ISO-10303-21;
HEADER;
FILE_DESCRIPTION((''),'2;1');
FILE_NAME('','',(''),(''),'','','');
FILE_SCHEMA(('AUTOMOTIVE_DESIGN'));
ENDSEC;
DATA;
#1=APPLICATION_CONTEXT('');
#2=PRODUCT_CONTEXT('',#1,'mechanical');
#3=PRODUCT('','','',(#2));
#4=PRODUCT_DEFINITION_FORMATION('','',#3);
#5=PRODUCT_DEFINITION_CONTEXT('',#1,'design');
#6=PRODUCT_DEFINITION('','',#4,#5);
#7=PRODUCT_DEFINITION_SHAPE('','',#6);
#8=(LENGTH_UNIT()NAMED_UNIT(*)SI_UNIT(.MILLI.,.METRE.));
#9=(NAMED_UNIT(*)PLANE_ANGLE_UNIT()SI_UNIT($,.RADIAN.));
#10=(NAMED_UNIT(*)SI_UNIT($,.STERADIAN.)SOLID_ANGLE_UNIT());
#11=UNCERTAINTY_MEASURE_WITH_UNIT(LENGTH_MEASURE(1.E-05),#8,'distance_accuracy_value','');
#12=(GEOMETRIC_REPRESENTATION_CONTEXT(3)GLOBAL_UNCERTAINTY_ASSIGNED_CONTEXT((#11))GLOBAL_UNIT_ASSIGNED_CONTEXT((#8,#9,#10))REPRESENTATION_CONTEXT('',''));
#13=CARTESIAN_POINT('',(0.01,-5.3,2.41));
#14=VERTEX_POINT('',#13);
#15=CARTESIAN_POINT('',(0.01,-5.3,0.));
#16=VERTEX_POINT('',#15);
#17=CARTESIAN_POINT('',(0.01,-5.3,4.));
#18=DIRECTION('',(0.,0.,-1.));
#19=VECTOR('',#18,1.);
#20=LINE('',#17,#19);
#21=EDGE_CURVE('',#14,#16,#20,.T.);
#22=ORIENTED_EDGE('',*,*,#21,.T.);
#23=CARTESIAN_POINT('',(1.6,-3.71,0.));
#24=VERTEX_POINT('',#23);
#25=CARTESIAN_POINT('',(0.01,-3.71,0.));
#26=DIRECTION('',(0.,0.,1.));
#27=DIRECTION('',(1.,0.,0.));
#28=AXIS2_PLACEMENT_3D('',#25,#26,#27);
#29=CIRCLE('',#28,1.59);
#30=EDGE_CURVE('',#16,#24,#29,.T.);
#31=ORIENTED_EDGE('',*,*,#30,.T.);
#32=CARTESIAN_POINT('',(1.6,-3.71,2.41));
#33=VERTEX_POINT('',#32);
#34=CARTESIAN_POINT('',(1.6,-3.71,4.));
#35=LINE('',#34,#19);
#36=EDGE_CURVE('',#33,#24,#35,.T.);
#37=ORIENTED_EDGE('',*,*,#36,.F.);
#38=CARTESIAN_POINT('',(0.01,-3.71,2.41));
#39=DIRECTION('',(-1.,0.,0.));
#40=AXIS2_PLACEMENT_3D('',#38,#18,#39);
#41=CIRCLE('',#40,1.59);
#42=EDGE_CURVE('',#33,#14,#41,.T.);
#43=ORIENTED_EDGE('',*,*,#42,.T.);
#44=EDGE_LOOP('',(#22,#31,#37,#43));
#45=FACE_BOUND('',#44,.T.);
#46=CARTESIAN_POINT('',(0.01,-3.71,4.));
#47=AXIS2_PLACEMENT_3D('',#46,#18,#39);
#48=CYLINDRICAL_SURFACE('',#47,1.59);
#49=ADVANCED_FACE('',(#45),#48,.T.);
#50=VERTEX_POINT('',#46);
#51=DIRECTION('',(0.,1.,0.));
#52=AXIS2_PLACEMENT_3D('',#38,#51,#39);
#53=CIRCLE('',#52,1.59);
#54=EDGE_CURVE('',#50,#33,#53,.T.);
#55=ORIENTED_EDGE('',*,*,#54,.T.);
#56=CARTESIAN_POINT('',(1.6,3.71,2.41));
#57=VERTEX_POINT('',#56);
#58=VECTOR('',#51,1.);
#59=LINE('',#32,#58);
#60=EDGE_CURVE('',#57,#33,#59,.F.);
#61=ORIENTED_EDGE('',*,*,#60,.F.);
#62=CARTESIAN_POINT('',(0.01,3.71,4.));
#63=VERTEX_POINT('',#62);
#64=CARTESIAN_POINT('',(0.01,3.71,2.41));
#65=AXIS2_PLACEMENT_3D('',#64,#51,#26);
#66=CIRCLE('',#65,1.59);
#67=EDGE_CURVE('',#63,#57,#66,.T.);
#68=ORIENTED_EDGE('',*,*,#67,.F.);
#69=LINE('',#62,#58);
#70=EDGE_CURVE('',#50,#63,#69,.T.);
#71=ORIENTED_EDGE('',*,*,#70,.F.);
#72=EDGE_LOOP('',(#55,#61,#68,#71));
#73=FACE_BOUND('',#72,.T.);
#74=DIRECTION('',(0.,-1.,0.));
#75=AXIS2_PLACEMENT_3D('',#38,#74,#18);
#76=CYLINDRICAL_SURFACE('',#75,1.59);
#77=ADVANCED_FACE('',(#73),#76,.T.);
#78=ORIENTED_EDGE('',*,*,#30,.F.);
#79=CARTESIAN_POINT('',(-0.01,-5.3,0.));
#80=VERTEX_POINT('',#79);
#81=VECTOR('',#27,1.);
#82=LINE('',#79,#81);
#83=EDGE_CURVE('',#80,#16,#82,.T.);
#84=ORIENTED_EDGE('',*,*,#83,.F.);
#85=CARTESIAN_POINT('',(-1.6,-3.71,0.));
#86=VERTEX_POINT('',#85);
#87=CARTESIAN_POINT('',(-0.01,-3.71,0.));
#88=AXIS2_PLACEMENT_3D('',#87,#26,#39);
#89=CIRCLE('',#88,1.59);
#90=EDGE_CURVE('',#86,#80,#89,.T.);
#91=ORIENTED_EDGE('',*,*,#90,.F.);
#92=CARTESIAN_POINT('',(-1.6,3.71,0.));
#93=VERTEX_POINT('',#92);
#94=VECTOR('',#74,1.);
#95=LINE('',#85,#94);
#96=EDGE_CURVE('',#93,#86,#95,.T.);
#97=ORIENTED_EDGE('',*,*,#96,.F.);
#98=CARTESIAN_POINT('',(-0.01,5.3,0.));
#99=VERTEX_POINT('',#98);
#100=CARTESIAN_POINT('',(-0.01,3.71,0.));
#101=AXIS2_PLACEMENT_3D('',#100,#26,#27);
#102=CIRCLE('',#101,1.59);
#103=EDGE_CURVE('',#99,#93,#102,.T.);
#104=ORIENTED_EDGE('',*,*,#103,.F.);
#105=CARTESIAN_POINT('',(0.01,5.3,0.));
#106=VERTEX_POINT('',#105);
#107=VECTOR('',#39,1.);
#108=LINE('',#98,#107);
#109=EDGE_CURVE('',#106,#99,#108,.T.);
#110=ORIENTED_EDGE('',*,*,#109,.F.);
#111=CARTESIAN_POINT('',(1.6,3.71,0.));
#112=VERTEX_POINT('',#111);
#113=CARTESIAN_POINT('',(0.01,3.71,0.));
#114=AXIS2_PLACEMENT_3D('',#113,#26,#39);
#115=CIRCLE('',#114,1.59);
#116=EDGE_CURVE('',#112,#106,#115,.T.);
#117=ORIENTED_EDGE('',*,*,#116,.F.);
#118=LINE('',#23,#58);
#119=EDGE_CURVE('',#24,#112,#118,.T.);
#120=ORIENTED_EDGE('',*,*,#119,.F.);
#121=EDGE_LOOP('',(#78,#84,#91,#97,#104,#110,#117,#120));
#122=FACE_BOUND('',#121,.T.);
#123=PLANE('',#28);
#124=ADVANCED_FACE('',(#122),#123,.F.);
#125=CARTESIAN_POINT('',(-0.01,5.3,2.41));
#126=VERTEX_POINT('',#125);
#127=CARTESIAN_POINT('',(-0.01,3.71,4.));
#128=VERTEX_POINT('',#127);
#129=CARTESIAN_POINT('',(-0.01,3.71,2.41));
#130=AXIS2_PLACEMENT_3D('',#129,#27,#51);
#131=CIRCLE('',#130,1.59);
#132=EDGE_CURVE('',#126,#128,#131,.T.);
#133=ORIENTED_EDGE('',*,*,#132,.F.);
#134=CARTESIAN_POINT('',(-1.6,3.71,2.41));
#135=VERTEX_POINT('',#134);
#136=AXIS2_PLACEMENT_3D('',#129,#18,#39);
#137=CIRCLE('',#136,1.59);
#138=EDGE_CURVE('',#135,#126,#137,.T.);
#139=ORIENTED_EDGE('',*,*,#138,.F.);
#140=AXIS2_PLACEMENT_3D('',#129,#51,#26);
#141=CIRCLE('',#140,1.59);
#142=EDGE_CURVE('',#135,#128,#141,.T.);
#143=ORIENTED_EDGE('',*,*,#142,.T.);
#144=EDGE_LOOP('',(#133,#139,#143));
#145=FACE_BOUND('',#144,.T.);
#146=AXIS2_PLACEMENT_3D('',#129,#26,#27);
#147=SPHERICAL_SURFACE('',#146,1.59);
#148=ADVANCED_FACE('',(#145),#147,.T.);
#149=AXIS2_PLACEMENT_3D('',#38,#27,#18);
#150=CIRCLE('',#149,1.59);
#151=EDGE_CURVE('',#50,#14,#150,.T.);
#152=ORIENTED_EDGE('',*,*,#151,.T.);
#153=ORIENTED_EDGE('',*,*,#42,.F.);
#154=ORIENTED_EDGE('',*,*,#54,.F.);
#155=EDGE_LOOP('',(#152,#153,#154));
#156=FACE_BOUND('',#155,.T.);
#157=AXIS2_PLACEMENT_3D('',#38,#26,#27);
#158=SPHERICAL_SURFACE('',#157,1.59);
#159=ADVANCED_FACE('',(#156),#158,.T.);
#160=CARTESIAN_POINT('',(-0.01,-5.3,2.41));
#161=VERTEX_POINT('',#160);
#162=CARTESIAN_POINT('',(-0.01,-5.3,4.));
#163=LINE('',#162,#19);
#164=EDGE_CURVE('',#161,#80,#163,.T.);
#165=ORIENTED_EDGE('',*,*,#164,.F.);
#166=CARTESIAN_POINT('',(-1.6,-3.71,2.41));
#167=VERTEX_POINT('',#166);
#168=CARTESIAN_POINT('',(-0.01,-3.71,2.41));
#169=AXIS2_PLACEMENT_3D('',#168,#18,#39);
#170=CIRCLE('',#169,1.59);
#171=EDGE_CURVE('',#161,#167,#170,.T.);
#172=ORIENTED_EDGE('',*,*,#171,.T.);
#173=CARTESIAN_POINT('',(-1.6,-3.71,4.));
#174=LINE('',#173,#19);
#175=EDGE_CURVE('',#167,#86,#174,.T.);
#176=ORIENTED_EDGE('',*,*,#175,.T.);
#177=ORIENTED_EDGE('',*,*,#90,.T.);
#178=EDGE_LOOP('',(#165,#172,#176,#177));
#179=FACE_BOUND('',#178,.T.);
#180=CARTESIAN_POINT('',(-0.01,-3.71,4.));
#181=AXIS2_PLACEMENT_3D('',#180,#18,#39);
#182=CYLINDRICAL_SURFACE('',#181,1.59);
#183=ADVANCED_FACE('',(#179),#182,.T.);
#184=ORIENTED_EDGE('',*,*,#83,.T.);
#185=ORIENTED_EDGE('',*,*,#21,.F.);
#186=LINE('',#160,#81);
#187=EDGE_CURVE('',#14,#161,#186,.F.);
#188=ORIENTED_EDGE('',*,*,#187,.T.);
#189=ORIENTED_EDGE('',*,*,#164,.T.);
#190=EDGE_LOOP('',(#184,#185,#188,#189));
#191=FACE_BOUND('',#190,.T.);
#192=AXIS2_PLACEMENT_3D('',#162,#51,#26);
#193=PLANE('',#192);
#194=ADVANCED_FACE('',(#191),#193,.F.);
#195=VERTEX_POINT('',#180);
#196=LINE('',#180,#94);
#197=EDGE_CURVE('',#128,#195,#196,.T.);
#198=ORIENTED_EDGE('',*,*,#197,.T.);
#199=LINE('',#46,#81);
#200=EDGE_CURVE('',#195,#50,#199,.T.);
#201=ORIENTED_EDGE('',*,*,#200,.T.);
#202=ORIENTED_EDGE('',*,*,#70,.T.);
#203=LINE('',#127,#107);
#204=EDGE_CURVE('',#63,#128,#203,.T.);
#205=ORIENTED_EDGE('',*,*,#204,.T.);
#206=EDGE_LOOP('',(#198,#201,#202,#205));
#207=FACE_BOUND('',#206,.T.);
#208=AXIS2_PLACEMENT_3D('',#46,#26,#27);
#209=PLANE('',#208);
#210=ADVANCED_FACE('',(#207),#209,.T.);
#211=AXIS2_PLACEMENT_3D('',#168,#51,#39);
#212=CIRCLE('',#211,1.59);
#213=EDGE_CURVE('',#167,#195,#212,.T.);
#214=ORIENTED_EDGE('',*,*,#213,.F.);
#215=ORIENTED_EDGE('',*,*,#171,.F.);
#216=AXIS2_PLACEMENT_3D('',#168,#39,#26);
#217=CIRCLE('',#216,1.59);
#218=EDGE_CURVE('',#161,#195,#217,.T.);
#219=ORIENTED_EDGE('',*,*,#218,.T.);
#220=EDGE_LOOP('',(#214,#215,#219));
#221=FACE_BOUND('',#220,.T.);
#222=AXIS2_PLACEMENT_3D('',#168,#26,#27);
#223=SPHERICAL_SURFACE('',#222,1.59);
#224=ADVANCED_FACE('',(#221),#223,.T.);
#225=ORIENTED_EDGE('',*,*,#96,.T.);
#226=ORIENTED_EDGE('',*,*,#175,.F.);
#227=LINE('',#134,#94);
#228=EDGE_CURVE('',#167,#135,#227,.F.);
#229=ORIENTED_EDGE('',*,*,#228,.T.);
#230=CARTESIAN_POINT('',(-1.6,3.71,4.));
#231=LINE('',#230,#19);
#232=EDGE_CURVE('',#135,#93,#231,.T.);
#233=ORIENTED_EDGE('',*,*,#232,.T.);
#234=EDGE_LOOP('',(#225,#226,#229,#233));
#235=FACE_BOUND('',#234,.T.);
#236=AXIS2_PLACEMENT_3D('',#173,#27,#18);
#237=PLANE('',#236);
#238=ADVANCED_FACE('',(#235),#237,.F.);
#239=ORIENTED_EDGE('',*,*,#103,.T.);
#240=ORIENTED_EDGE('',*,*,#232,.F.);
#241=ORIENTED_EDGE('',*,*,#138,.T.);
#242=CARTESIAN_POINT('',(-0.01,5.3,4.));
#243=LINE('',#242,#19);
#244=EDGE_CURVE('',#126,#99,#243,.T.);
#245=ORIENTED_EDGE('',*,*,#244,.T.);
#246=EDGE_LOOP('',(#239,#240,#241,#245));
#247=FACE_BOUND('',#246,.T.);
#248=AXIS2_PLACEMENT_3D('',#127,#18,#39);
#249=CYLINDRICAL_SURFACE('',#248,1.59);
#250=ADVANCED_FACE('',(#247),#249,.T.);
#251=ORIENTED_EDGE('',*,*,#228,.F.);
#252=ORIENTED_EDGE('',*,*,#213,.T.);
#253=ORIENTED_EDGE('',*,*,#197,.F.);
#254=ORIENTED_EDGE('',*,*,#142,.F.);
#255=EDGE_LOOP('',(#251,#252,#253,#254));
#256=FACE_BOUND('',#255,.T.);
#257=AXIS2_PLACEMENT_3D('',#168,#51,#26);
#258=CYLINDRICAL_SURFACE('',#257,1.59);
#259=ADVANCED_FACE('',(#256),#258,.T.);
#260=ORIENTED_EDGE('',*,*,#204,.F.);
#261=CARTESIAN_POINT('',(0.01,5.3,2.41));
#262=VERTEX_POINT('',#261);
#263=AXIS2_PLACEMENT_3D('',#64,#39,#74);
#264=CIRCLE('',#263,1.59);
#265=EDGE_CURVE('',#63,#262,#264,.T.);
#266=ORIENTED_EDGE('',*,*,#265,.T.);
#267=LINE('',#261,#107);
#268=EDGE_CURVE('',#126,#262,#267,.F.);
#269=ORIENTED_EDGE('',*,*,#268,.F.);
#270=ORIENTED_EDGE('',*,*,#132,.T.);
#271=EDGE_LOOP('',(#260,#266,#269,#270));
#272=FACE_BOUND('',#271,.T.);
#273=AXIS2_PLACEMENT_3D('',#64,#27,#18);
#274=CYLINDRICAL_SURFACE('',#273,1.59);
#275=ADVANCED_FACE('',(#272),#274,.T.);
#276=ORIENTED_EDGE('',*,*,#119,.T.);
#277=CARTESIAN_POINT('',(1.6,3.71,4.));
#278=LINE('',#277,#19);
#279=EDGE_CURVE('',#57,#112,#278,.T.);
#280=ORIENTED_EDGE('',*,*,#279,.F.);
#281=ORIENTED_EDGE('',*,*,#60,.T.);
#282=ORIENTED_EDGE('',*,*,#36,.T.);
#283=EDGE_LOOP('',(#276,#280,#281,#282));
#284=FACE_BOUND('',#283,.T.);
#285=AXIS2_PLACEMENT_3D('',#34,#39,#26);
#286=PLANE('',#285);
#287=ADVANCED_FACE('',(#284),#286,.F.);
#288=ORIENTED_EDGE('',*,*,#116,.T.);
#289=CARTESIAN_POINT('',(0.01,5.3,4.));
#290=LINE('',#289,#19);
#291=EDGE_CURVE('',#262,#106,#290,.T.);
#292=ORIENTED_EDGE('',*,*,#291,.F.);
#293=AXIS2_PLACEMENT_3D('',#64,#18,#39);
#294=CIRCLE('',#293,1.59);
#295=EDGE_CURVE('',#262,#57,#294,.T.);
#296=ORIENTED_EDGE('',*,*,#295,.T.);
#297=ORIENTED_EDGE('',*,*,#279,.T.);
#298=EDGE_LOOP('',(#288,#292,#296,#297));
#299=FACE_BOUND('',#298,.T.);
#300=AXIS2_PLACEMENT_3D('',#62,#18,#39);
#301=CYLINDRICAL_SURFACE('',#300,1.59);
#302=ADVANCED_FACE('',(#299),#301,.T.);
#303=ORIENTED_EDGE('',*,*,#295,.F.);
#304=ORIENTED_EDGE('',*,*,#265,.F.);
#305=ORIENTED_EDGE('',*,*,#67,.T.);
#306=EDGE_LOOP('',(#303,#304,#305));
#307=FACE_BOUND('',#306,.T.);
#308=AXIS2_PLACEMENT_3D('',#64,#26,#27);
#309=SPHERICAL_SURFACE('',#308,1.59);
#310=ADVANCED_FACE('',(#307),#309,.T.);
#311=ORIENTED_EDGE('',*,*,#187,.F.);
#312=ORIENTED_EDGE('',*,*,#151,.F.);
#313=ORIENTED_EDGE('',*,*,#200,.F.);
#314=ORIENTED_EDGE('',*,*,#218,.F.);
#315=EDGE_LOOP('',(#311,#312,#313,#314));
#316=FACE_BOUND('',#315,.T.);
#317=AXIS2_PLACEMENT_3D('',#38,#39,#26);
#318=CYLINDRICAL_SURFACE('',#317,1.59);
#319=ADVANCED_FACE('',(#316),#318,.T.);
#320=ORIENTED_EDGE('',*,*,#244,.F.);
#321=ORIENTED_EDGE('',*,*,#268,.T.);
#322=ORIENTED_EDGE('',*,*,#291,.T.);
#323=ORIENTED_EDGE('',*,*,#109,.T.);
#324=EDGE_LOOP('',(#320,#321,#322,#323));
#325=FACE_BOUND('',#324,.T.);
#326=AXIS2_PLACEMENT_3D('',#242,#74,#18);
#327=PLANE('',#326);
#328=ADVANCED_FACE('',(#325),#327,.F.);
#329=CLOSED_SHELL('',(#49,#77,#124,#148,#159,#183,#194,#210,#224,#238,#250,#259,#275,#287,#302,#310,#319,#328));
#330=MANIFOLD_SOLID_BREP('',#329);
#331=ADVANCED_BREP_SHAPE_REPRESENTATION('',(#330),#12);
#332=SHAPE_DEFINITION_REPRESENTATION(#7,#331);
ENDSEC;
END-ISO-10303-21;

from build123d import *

# Parameters (mm, degrees)
EXTRUDE_1_DEPTH = 4
FILLET_1_R      = 1.59


with BuildPart() as part:
    # Эскиз1 → Бобышка-Вытянуть1 (new body)
    with BuildSketch(Plane.XY):
        with BuildLine():
            Line((-0.01, -5.3), (0.01, -5.3))
            ThreePointArc((0.01, -5.3), (1.134299782, -4.834299782), (1.6, -3.71))
            Line((1.6, -3.71), (1.6, 3.71))
            ThreePointArc((1.6, 3.71), (1.134299782, 4.834299782), (0.01, 5.3))
            Line((0.01, 5.3), (-0.01, 5.3))
            ThreePointArc((-0.01, 5.3), (-1.134299782, 4.834299782), (-1.6, 3.71))
            Line((-1.6, 3.71), (-1.6, -3.71))
            ThreePointArc((-1.6, -3.71), (-1.134299782, -4.834299782), (-0.01, -5.3))
        make_face()
    extrude(amount=EXTRUDE_1_DEPTH)

    # Скругление1
    fillet_1_edges = [part.edges().sort_by_distance(p)[0] for p in [
        (1.134299782, 4.834299782, 4),
        (0, 5.3, 4),
        (-1.134299782, 4.834299782, 4),
        (-1.6, 0, 4),
        (-1.134299782, -4.834299782, 4),
        (0, -5.3, 4),
        (1.134299782, -4.834299782, 4),
        (1.6, 0, 4),
    ]]
    fillet(fillet_1_edges, radius=FILLET_1_R)


solid = part.part
